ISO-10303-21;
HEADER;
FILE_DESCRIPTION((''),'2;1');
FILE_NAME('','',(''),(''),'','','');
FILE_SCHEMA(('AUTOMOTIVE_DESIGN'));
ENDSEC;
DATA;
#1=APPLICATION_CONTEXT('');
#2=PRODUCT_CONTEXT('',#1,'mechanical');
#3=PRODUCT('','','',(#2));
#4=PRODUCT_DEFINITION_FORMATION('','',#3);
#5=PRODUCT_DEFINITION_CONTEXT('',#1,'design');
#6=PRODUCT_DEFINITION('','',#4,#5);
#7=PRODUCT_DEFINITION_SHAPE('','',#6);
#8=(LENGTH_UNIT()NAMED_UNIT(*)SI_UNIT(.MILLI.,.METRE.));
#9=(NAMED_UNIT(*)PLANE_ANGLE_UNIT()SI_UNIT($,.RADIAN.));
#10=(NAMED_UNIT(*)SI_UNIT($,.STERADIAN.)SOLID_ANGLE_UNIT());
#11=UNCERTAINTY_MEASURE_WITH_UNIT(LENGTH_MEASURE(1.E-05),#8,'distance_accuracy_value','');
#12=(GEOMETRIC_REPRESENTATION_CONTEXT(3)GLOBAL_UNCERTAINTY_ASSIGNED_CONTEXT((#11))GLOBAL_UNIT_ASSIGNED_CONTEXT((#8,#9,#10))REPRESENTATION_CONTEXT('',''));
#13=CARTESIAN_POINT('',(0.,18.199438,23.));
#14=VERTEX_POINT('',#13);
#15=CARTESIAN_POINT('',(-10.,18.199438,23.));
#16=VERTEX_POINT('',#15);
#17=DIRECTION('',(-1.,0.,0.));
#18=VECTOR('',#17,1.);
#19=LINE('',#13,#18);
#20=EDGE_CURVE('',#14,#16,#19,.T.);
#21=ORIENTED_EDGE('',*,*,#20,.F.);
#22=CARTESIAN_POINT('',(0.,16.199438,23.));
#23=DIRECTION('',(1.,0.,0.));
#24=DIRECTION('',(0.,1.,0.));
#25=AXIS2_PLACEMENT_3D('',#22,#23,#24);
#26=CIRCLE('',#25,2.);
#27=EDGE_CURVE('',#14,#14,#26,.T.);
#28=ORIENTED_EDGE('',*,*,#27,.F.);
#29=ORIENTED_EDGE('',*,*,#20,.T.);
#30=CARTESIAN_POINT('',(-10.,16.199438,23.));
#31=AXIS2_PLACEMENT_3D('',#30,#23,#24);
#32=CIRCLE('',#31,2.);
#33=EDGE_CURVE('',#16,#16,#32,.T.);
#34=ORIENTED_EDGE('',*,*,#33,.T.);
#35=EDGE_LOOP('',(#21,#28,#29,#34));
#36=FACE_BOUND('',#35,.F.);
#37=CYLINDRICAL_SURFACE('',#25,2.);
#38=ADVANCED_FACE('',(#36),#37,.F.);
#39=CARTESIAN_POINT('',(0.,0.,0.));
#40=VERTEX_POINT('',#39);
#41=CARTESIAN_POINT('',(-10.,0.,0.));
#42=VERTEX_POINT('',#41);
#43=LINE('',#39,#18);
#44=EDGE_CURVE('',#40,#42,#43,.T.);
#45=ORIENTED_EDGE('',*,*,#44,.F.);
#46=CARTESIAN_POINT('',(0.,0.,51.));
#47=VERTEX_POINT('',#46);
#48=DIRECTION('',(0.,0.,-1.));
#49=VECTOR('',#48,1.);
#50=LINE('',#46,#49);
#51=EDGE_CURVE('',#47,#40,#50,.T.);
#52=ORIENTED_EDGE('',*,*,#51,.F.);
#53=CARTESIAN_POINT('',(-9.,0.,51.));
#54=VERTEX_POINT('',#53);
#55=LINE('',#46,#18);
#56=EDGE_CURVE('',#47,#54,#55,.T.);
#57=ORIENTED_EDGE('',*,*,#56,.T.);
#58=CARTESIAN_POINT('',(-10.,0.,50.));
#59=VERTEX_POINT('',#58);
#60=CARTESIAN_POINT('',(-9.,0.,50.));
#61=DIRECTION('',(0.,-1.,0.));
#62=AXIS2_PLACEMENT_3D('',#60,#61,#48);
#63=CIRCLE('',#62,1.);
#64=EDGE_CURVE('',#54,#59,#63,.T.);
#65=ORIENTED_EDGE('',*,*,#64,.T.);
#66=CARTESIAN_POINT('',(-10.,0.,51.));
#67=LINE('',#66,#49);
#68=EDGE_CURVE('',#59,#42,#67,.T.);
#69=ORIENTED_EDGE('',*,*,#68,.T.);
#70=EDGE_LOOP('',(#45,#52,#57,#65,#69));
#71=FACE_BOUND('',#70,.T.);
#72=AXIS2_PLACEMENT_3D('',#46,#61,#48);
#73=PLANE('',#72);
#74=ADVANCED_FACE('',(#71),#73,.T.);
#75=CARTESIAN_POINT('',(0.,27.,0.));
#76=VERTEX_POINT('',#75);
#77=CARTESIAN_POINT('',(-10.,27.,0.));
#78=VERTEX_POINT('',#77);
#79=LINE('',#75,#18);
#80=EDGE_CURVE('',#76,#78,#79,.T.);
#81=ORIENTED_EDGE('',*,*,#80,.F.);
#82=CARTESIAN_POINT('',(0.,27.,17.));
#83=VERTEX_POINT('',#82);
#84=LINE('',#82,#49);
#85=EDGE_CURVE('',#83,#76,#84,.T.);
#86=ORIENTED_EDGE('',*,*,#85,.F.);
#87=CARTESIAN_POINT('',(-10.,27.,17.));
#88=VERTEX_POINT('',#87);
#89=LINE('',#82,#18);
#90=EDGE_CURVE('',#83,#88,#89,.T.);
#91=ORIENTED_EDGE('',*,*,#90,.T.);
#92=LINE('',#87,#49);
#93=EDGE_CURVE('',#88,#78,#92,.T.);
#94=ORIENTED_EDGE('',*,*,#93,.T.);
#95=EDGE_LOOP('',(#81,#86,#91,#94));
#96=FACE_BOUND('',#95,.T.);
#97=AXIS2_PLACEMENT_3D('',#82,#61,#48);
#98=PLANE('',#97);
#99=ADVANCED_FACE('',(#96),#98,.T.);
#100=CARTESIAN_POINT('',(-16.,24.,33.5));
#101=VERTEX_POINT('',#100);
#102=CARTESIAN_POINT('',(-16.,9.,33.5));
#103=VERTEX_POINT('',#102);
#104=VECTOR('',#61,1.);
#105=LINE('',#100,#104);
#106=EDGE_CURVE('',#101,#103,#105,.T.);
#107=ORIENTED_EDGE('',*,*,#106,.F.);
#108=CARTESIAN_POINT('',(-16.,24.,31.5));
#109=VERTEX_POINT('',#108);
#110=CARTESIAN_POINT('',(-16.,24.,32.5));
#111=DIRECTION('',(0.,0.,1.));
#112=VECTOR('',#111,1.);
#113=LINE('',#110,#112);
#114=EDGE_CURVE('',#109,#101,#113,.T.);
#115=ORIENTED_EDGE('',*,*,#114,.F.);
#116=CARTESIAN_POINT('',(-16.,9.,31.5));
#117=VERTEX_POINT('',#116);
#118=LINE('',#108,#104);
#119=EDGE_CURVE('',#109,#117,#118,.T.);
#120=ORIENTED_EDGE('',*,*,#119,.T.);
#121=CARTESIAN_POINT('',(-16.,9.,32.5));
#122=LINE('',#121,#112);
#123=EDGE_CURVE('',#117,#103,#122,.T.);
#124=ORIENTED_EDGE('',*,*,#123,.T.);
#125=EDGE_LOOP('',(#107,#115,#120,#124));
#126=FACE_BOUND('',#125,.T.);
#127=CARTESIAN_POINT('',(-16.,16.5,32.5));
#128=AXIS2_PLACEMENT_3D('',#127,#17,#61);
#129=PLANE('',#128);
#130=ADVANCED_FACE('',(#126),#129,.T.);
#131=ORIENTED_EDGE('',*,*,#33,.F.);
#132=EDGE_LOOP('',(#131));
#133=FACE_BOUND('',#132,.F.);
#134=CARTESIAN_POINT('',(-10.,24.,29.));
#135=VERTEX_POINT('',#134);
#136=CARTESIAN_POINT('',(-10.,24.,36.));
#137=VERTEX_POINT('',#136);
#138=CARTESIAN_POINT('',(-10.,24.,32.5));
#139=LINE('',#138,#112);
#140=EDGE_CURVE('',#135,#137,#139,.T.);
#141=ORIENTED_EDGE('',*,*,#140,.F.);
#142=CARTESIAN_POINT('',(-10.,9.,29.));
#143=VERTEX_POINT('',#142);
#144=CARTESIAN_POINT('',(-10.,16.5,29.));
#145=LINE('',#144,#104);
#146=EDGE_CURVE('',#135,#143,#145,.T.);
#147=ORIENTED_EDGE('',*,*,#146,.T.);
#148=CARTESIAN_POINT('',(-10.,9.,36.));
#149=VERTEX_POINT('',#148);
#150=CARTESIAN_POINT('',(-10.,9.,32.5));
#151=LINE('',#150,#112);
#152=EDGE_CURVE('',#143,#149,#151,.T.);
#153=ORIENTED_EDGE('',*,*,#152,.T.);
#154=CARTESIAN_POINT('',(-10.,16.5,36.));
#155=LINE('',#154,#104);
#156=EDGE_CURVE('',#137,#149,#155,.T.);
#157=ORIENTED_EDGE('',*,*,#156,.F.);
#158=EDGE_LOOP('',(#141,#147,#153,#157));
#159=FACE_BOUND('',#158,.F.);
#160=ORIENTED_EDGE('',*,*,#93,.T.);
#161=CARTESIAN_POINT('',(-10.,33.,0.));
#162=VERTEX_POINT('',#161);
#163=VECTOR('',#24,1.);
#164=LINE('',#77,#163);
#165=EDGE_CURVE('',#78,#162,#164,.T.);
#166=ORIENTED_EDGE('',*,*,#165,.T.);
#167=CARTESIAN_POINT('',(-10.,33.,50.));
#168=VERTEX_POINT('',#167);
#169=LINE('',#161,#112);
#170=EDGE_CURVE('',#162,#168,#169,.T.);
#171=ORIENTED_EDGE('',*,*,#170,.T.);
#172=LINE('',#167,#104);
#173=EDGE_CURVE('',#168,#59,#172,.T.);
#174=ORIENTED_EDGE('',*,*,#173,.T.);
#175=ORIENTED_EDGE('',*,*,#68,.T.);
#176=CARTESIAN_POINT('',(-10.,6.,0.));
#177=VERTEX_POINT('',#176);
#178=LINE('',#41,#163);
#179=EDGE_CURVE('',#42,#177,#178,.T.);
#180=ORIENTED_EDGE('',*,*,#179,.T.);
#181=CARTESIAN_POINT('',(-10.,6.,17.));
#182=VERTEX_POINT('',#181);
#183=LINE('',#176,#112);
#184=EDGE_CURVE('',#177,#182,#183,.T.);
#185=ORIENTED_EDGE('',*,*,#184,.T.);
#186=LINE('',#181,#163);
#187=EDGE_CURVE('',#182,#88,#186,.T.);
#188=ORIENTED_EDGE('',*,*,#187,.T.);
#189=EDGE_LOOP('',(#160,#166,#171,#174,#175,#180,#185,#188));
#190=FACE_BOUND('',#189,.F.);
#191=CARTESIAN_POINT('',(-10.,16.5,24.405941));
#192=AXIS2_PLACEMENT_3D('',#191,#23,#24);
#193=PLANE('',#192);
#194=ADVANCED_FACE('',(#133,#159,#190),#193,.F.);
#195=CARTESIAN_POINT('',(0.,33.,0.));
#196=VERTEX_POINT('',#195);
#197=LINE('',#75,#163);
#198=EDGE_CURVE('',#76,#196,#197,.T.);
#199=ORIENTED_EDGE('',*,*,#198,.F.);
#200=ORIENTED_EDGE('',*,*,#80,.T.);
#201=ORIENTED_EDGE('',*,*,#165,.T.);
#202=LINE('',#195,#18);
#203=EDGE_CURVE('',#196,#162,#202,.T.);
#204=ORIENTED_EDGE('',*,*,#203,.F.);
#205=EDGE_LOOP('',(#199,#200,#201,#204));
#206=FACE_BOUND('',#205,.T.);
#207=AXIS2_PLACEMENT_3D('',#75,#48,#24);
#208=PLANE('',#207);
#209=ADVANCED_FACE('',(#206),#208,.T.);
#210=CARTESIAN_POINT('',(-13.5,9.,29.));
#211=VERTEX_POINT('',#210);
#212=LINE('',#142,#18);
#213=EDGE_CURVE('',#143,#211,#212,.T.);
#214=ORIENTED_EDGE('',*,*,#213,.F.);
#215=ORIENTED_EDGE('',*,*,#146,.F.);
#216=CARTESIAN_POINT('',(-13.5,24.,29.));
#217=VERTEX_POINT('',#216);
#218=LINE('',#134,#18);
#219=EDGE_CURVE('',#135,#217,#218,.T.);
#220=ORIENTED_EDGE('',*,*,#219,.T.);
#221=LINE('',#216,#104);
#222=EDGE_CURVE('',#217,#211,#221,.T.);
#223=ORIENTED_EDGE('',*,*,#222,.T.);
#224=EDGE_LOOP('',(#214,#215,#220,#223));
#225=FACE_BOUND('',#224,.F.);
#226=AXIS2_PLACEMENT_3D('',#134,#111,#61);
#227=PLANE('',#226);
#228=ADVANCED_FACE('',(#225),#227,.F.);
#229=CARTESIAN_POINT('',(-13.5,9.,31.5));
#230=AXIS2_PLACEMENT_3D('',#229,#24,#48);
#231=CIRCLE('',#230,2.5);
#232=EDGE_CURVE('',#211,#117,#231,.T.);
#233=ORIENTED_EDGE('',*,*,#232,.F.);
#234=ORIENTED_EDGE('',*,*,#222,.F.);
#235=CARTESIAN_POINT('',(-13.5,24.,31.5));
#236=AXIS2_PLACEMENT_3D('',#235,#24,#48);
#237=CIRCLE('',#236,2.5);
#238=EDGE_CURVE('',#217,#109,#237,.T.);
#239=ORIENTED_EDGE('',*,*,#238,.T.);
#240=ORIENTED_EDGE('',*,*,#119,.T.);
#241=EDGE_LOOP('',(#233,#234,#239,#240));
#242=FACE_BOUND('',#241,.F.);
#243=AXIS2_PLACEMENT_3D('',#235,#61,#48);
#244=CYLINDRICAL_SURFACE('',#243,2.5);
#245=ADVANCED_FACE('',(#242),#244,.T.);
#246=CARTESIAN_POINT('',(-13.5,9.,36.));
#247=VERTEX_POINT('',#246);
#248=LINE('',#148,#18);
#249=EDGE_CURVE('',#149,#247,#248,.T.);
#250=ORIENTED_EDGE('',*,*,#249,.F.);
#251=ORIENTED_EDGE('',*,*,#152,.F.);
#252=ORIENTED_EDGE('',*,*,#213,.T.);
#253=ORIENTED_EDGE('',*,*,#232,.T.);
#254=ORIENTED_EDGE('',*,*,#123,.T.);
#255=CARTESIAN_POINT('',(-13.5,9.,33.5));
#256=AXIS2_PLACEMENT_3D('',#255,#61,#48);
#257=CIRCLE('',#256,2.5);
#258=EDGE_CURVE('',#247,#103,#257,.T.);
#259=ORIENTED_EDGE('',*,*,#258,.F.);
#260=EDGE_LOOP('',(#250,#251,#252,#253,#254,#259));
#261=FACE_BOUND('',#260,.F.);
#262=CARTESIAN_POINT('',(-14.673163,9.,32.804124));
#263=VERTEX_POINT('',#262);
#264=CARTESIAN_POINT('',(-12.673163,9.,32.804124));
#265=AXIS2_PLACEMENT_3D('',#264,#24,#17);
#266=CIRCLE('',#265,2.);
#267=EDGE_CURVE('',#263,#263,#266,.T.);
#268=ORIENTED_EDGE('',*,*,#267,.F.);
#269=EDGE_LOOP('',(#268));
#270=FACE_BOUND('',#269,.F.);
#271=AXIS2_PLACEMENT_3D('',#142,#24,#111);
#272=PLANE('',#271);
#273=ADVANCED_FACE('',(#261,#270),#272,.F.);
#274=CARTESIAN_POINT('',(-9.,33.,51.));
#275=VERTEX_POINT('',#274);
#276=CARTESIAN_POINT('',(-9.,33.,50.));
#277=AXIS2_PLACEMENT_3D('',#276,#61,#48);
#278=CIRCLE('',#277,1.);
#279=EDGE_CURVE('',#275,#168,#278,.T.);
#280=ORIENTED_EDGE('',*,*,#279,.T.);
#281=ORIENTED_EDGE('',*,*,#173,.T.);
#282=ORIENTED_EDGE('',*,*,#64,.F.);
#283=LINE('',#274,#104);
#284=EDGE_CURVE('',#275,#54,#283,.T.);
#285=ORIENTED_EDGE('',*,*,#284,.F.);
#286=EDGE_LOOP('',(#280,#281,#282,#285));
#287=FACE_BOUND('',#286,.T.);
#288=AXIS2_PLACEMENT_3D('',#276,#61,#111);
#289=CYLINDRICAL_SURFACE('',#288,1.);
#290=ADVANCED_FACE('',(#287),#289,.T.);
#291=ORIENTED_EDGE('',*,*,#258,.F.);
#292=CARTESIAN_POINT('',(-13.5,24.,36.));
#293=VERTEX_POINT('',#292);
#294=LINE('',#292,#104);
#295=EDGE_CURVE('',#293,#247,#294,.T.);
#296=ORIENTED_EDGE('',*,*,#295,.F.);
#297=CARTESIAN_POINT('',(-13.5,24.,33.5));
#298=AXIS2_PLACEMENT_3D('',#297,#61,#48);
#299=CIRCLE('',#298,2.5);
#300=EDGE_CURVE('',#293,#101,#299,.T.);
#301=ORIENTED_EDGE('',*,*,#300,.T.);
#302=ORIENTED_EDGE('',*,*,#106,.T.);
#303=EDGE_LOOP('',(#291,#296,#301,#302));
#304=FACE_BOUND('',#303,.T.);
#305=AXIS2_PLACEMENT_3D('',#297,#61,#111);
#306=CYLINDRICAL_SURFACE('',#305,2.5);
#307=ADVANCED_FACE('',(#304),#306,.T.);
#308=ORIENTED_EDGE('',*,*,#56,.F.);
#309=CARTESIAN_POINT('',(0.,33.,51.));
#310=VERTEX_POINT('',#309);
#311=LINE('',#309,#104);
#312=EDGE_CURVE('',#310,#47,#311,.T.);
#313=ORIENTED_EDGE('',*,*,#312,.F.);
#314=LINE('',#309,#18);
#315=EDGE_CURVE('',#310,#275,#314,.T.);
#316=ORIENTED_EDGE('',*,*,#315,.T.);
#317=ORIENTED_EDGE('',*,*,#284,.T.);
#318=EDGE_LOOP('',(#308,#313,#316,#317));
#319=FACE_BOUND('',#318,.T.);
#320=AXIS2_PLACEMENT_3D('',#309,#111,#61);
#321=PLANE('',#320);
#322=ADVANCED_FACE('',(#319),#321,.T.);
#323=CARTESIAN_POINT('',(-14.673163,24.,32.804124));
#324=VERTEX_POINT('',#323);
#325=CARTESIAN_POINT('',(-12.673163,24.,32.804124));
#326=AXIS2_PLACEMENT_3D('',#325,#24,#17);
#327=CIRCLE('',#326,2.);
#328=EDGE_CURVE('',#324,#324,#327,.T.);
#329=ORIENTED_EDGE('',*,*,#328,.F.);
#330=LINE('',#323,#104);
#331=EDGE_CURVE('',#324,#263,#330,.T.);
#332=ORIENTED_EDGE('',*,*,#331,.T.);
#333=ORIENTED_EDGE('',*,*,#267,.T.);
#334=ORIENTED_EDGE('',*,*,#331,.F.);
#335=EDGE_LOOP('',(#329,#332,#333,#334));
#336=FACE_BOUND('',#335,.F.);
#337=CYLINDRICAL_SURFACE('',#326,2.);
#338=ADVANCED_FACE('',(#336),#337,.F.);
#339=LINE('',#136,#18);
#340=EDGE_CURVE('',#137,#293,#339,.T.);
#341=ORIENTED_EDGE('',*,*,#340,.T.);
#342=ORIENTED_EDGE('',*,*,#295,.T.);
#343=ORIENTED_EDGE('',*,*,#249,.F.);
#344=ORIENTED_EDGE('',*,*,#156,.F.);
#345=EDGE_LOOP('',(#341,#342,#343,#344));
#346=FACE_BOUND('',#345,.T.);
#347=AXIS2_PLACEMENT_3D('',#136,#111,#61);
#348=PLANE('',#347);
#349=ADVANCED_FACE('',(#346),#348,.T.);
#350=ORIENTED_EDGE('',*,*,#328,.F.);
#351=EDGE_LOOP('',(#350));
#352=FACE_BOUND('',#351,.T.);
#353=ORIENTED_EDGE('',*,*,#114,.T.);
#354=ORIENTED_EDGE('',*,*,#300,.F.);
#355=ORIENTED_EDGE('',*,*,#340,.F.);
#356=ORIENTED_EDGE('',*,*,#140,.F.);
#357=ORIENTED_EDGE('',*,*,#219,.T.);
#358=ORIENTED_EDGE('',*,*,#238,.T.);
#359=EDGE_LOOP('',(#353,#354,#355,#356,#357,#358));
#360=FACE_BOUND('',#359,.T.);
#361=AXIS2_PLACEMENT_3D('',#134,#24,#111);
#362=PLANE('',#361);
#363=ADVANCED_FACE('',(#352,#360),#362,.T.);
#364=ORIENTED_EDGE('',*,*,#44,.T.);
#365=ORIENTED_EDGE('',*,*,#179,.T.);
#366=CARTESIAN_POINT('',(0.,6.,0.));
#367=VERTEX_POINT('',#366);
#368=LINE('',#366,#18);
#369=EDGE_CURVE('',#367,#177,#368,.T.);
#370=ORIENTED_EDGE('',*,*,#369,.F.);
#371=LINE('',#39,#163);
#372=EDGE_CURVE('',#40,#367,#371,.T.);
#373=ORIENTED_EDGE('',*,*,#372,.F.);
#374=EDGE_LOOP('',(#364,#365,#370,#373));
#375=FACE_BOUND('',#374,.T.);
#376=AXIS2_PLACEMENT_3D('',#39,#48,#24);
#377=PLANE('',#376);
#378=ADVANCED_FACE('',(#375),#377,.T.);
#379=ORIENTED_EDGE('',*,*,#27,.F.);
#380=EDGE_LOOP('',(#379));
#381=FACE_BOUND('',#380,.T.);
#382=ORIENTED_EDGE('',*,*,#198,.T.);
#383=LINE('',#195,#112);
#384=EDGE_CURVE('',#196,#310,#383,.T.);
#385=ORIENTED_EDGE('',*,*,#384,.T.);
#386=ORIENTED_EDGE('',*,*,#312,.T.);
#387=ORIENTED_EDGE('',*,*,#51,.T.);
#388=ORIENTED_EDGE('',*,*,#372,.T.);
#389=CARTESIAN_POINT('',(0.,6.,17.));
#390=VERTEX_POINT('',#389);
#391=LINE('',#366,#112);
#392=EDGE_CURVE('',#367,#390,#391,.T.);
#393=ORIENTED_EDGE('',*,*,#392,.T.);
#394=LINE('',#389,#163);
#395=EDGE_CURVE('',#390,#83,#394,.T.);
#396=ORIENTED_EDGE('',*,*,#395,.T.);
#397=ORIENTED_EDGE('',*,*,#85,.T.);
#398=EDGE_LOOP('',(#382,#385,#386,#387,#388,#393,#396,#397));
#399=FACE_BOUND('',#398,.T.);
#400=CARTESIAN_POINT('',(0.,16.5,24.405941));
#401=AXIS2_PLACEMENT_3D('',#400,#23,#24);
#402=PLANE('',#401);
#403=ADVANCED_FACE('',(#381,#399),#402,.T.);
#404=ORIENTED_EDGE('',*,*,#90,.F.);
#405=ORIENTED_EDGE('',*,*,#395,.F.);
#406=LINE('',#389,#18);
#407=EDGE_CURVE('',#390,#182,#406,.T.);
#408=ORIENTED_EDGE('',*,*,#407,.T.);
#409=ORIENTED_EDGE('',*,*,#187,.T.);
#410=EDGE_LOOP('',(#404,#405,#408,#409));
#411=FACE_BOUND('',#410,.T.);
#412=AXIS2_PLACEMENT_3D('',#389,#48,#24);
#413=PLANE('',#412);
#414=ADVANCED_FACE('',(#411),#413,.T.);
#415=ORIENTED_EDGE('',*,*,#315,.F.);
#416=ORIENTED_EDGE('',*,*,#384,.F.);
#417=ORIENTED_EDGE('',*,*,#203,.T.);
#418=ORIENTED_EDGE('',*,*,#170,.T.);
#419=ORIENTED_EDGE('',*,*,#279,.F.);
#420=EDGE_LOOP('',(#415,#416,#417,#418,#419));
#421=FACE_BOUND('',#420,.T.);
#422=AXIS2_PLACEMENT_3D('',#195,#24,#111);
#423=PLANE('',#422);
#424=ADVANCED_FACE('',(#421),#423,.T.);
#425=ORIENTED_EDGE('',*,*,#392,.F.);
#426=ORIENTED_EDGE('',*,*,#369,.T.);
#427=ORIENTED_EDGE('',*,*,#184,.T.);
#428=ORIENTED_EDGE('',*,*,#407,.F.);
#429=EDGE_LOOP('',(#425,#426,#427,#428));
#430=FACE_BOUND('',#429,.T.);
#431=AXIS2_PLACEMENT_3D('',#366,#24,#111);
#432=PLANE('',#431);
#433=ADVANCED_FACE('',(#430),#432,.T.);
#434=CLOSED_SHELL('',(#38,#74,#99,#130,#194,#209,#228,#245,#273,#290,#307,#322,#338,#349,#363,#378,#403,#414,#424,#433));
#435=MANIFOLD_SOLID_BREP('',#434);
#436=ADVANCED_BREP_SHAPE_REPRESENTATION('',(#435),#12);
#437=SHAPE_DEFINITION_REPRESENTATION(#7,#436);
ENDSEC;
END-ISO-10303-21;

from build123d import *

# Parameters (mm, degrees)
F0_R     = 2
F1_DEPTH = 10
F2_R     = 1
F3_W     = 15
F3_H     = 7
F4_DEPTH = 6
F5_R     = 2.5
F6_R     = 2
F7_DEPTH = 25.4


with BuildPart() as f1:
    # F0 (on Right) → F1 (new body)
    with BuildSketch(Plane.YZ):
        Polygon((0, 51), (0, 0), (6, 0), (6, 17), (27, 17), (27, 0), (33, 0), (33, 51), align=None)
        with Locations((16.199438, 23)):
            Circle(F0_R, mode=Mode.SUBTRACT)
    extrude(amount=-F1_DEPTH)

    # F2
    f2_edges = [f1.edges().sort_by_distance(p)[0] for p in [
        (-10, 16.5, 51),
    ]]
    fillet(f2_edges, radius=F2_R)

    # F3 (on face) → F4 (join)
    with BuildSketch(Plane(origin=(-10, 0, 0), x_dir=(0, -1, 0), z_dir=(-1, 0, 0))):
        with Locations((-16.5, 32.5)):
            Rectangle(F3_W, F3_H)
    extrude(amount=F4_DEPTH)

    # F5
    f5_edges = [f1.edges().sort_by_distance(p)[0] for p in [
        (-16, 16.5, 36),
        (-16, 16.5, 29),
    ]]
    fillet(f5_edges, radius=F5_R)

    # F6 (on face) → F7 (cut)
    with BuildSketch(Plane(origin=(0, 24, 0), x_dir=(-1, 0, 0), z_dir=(0, 1, 0))):
        with Locations((12.673163, 32.804124)):
            Circle(F6_R)
    extrude(amount=-F7_DEPTH, mode=Mode.SUBTRACT)


solid = f1.part
